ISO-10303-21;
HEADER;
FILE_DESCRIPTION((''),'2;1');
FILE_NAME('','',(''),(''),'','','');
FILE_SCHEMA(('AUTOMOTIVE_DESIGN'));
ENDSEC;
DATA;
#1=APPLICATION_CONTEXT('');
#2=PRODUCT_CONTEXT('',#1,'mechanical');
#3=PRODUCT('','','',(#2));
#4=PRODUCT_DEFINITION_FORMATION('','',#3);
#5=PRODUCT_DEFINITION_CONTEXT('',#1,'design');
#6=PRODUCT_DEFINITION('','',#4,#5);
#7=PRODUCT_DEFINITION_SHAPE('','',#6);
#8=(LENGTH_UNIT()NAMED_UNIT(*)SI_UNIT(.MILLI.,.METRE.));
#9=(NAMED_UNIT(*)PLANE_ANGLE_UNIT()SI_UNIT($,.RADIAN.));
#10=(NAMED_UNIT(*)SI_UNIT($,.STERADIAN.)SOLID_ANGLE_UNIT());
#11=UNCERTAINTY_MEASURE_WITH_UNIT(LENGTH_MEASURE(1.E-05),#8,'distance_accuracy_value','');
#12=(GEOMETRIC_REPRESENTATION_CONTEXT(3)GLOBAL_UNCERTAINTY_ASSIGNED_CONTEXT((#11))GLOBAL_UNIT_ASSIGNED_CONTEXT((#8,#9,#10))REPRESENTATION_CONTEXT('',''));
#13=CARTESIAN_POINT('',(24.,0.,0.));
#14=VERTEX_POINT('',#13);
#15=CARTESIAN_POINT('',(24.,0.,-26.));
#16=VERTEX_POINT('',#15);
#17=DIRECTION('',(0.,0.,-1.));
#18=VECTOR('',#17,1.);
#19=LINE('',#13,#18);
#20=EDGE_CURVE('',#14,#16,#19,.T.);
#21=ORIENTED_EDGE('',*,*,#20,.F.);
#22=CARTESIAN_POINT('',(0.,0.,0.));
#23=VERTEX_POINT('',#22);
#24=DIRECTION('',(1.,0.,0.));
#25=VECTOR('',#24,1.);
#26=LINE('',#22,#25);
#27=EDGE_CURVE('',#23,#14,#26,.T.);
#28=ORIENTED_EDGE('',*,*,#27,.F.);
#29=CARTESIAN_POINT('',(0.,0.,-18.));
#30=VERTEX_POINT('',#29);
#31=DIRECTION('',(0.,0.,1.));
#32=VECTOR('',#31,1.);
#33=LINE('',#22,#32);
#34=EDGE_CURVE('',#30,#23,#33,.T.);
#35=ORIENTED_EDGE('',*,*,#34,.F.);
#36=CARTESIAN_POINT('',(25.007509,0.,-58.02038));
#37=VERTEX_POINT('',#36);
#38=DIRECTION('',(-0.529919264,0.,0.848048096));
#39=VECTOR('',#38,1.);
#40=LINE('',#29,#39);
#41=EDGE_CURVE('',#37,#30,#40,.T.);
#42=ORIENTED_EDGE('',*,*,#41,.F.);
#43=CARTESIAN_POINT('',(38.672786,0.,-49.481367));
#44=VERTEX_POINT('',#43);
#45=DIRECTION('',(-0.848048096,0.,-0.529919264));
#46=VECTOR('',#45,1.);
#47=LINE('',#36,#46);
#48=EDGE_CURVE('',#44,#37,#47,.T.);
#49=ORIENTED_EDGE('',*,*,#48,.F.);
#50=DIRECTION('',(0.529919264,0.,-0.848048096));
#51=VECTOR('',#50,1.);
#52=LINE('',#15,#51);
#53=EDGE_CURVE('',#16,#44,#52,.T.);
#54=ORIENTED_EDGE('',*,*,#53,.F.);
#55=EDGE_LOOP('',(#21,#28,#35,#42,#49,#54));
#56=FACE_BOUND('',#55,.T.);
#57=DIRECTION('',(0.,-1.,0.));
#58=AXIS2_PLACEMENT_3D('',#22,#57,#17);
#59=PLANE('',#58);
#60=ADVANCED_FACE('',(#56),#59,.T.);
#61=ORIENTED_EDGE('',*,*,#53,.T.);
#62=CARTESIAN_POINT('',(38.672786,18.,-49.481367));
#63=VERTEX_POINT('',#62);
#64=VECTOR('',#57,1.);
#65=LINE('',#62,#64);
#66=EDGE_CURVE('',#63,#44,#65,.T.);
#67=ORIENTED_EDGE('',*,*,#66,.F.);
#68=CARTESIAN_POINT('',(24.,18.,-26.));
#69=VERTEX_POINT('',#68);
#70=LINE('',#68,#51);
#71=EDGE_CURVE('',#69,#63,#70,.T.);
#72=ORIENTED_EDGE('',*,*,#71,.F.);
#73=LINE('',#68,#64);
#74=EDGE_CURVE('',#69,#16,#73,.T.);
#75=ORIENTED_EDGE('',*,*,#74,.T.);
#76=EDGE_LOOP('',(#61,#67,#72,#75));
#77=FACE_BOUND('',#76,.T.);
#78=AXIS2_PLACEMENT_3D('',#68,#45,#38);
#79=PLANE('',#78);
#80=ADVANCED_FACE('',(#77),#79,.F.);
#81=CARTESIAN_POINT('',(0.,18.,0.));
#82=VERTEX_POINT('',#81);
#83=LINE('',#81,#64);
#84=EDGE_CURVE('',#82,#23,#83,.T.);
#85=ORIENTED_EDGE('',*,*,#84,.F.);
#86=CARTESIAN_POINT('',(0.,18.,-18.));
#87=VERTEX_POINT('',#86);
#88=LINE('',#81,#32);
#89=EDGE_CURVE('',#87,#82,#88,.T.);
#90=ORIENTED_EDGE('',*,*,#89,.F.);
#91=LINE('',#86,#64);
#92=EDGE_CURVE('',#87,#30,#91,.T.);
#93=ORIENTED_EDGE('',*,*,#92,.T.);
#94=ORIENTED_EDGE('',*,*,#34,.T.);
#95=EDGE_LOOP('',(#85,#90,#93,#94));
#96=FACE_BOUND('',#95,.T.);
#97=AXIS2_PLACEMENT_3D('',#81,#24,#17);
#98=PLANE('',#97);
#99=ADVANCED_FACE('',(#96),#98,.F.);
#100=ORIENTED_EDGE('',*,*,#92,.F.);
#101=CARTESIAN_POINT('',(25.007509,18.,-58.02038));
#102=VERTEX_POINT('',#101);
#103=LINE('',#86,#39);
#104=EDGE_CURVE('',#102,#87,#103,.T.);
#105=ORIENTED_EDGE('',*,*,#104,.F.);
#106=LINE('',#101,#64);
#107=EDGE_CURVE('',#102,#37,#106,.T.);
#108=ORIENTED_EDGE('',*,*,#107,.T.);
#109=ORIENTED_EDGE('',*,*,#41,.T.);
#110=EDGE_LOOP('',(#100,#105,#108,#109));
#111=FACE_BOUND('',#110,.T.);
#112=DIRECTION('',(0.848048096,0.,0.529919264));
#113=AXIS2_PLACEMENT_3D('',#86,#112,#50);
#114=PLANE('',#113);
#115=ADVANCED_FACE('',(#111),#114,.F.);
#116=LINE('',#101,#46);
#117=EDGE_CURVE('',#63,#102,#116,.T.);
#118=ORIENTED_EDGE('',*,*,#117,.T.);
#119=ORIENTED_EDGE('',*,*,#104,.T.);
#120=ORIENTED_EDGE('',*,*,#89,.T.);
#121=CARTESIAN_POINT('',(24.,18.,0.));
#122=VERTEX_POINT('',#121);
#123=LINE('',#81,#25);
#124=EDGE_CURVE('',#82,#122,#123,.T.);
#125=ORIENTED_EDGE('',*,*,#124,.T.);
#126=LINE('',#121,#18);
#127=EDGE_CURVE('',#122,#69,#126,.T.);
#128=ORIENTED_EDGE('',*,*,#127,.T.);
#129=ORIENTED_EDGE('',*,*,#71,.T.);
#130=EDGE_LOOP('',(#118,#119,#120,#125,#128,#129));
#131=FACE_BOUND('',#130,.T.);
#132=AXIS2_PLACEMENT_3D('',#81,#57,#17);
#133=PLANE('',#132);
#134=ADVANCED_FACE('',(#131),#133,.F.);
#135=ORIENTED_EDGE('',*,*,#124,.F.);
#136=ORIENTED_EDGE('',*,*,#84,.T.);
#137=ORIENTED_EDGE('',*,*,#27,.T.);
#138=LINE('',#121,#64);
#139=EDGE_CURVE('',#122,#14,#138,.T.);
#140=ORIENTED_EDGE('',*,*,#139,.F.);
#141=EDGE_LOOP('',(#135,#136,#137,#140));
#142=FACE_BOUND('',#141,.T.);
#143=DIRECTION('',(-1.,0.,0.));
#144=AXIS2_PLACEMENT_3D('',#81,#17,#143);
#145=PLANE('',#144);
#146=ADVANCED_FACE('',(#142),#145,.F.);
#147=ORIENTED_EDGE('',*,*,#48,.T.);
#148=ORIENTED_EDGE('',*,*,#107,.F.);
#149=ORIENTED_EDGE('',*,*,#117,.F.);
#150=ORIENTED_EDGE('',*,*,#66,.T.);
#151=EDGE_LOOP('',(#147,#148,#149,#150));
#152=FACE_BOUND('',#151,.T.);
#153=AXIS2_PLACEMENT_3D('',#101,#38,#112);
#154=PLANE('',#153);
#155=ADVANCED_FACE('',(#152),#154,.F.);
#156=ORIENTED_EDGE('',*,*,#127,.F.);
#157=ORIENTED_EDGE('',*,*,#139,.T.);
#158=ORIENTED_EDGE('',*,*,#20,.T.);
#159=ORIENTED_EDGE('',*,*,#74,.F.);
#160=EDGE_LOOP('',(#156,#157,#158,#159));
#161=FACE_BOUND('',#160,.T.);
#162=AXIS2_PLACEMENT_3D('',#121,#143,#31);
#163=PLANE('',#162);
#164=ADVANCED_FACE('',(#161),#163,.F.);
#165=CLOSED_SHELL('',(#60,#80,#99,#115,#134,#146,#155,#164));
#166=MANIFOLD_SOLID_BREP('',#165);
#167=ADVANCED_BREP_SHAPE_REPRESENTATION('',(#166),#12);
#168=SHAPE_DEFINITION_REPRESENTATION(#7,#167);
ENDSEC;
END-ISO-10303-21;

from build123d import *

# Parameters (mm, degrees)
EXTRUDE_1_DEPTH = 18


with BuildPart() as part:
    # 草图1 → 凸台-拉伸1 (new body)
    with BuildSketch(Plane(origin=(0, 0, 0), x_dir=(1, 0, 0), z_dir=(0, 1, 0))):
        Polygon((0, 0), (24, 0), (24, 26), (38.67278642, 49.481366746), (25.007508844, 58.020379889), (0, 18), align=None)
    extrude(amount=EXTRUDE_1_DEPTH)


solid = part.part
